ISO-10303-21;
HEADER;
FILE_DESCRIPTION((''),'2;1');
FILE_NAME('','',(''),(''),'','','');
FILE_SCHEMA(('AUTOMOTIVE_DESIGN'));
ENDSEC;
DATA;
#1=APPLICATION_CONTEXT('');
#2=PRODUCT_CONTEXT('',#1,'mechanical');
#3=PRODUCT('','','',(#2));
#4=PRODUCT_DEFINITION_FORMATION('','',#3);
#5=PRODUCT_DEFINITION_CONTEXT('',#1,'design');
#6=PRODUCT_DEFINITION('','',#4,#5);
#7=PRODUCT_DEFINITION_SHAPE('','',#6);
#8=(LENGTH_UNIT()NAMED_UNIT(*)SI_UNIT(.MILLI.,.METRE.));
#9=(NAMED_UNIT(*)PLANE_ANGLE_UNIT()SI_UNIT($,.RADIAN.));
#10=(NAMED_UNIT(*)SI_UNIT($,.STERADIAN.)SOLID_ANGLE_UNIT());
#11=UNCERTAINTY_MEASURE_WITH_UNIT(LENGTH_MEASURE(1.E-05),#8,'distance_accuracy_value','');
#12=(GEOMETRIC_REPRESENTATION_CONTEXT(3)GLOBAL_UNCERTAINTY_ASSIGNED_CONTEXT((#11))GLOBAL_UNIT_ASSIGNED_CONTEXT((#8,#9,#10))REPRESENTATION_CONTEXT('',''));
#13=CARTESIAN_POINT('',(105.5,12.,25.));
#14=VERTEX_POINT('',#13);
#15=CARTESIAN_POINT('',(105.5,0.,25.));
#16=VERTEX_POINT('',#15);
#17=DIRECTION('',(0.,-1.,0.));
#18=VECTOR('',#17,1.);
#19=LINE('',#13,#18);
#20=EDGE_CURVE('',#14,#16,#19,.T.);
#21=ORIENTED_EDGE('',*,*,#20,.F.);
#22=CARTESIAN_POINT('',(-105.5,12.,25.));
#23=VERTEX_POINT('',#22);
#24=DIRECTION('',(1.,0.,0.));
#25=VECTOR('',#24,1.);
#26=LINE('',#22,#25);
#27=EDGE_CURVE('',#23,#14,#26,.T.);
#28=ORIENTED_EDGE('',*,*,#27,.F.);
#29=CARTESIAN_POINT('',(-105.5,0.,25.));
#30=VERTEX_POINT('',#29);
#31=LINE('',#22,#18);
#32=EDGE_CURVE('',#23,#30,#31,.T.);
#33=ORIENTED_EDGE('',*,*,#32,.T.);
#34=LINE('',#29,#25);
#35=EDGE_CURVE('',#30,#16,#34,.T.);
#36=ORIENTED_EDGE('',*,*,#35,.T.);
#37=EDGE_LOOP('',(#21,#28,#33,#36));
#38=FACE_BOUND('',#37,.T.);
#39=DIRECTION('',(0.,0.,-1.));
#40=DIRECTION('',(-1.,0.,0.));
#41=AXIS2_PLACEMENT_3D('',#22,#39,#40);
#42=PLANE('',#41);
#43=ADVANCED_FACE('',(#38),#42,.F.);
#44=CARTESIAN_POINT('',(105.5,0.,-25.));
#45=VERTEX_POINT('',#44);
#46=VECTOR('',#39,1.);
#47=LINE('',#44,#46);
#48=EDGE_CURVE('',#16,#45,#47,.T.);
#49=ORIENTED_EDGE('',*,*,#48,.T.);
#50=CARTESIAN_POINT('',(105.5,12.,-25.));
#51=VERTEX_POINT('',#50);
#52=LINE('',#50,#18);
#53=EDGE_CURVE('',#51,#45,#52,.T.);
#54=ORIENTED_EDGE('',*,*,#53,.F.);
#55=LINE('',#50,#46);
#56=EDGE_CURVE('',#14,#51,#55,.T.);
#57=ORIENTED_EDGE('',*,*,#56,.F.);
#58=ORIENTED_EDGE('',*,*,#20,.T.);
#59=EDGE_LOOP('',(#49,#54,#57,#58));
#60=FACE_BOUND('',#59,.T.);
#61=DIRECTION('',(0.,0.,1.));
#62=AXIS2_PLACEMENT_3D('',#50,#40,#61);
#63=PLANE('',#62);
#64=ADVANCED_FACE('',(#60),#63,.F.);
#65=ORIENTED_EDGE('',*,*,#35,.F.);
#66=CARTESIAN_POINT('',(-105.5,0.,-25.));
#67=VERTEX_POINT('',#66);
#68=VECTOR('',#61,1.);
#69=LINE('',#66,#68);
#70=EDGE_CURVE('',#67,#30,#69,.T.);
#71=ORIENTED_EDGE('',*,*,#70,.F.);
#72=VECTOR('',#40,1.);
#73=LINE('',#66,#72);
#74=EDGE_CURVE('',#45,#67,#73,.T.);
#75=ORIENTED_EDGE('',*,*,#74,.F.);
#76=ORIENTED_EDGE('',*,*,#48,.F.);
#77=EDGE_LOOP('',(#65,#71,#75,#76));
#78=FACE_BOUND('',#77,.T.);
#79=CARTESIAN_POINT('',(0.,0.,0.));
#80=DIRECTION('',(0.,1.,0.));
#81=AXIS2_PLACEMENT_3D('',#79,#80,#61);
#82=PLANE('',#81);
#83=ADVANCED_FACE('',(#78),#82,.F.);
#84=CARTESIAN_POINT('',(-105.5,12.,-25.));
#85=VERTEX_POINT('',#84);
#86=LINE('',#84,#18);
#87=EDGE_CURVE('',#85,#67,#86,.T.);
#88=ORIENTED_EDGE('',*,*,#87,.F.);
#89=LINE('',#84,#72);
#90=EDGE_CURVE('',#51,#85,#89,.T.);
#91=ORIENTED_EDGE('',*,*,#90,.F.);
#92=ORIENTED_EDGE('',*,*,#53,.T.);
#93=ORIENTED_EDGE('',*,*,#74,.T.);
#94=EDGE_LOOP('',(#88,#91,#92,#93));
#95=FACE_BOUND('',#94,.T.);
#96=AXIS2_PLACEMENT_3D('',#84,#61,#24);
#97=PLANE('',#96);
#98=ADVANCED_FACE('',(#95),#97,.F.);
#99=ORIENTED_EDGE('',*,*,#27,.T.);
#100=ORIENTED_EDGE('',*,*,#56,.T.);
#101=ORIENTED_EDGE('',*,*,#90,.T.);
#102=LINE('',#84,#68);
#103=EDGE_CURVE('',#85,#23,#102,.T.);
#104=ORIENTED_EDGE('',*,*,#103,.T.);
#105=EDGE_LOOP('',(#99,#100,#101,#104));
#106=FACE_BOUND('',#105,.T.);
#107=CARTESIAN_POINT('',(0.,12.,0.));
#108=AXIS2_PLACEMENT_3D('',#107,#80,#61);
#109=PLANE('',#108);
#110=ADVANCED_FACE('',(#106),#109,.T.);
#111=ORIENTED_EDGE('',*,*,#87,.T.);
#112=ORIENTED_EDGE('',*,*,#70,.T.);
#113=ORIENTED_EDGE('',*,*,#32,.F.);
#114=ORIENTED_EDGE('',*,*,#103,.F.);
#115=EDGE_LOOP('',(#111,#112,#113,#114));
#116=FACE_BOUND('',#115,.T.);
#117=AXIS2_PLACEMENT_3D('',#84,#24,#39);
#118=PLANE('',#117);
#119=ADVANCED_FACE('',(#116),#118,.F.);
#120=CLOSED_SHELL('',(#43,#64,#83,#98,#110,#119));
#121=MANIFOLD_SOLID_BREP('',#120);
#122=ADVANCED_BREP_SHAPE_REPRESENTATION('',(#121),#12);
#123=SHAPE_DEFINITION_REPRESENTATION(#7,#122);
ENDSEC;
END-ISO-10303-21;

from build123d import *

# Parameters (mm, degrees)
SKETCH_1_W      = 211
SKETCH_1_H      = 50
EXTRUDE_1_DEPTH = 12


with BuildPart() as part:
    # 草图1 → 凸台-拉伸1 (new body)
    with BuildSketch(Plane(origin=(0, 0, 0), x_dir=(1, 0, 0), z_dir=(0, 1, 0))):
        Rectangle(SKETCH_1_W, SKETCH_1_H)
    extrude(amount=EXTRUDE_1_DEPTH)


solid = part.part
